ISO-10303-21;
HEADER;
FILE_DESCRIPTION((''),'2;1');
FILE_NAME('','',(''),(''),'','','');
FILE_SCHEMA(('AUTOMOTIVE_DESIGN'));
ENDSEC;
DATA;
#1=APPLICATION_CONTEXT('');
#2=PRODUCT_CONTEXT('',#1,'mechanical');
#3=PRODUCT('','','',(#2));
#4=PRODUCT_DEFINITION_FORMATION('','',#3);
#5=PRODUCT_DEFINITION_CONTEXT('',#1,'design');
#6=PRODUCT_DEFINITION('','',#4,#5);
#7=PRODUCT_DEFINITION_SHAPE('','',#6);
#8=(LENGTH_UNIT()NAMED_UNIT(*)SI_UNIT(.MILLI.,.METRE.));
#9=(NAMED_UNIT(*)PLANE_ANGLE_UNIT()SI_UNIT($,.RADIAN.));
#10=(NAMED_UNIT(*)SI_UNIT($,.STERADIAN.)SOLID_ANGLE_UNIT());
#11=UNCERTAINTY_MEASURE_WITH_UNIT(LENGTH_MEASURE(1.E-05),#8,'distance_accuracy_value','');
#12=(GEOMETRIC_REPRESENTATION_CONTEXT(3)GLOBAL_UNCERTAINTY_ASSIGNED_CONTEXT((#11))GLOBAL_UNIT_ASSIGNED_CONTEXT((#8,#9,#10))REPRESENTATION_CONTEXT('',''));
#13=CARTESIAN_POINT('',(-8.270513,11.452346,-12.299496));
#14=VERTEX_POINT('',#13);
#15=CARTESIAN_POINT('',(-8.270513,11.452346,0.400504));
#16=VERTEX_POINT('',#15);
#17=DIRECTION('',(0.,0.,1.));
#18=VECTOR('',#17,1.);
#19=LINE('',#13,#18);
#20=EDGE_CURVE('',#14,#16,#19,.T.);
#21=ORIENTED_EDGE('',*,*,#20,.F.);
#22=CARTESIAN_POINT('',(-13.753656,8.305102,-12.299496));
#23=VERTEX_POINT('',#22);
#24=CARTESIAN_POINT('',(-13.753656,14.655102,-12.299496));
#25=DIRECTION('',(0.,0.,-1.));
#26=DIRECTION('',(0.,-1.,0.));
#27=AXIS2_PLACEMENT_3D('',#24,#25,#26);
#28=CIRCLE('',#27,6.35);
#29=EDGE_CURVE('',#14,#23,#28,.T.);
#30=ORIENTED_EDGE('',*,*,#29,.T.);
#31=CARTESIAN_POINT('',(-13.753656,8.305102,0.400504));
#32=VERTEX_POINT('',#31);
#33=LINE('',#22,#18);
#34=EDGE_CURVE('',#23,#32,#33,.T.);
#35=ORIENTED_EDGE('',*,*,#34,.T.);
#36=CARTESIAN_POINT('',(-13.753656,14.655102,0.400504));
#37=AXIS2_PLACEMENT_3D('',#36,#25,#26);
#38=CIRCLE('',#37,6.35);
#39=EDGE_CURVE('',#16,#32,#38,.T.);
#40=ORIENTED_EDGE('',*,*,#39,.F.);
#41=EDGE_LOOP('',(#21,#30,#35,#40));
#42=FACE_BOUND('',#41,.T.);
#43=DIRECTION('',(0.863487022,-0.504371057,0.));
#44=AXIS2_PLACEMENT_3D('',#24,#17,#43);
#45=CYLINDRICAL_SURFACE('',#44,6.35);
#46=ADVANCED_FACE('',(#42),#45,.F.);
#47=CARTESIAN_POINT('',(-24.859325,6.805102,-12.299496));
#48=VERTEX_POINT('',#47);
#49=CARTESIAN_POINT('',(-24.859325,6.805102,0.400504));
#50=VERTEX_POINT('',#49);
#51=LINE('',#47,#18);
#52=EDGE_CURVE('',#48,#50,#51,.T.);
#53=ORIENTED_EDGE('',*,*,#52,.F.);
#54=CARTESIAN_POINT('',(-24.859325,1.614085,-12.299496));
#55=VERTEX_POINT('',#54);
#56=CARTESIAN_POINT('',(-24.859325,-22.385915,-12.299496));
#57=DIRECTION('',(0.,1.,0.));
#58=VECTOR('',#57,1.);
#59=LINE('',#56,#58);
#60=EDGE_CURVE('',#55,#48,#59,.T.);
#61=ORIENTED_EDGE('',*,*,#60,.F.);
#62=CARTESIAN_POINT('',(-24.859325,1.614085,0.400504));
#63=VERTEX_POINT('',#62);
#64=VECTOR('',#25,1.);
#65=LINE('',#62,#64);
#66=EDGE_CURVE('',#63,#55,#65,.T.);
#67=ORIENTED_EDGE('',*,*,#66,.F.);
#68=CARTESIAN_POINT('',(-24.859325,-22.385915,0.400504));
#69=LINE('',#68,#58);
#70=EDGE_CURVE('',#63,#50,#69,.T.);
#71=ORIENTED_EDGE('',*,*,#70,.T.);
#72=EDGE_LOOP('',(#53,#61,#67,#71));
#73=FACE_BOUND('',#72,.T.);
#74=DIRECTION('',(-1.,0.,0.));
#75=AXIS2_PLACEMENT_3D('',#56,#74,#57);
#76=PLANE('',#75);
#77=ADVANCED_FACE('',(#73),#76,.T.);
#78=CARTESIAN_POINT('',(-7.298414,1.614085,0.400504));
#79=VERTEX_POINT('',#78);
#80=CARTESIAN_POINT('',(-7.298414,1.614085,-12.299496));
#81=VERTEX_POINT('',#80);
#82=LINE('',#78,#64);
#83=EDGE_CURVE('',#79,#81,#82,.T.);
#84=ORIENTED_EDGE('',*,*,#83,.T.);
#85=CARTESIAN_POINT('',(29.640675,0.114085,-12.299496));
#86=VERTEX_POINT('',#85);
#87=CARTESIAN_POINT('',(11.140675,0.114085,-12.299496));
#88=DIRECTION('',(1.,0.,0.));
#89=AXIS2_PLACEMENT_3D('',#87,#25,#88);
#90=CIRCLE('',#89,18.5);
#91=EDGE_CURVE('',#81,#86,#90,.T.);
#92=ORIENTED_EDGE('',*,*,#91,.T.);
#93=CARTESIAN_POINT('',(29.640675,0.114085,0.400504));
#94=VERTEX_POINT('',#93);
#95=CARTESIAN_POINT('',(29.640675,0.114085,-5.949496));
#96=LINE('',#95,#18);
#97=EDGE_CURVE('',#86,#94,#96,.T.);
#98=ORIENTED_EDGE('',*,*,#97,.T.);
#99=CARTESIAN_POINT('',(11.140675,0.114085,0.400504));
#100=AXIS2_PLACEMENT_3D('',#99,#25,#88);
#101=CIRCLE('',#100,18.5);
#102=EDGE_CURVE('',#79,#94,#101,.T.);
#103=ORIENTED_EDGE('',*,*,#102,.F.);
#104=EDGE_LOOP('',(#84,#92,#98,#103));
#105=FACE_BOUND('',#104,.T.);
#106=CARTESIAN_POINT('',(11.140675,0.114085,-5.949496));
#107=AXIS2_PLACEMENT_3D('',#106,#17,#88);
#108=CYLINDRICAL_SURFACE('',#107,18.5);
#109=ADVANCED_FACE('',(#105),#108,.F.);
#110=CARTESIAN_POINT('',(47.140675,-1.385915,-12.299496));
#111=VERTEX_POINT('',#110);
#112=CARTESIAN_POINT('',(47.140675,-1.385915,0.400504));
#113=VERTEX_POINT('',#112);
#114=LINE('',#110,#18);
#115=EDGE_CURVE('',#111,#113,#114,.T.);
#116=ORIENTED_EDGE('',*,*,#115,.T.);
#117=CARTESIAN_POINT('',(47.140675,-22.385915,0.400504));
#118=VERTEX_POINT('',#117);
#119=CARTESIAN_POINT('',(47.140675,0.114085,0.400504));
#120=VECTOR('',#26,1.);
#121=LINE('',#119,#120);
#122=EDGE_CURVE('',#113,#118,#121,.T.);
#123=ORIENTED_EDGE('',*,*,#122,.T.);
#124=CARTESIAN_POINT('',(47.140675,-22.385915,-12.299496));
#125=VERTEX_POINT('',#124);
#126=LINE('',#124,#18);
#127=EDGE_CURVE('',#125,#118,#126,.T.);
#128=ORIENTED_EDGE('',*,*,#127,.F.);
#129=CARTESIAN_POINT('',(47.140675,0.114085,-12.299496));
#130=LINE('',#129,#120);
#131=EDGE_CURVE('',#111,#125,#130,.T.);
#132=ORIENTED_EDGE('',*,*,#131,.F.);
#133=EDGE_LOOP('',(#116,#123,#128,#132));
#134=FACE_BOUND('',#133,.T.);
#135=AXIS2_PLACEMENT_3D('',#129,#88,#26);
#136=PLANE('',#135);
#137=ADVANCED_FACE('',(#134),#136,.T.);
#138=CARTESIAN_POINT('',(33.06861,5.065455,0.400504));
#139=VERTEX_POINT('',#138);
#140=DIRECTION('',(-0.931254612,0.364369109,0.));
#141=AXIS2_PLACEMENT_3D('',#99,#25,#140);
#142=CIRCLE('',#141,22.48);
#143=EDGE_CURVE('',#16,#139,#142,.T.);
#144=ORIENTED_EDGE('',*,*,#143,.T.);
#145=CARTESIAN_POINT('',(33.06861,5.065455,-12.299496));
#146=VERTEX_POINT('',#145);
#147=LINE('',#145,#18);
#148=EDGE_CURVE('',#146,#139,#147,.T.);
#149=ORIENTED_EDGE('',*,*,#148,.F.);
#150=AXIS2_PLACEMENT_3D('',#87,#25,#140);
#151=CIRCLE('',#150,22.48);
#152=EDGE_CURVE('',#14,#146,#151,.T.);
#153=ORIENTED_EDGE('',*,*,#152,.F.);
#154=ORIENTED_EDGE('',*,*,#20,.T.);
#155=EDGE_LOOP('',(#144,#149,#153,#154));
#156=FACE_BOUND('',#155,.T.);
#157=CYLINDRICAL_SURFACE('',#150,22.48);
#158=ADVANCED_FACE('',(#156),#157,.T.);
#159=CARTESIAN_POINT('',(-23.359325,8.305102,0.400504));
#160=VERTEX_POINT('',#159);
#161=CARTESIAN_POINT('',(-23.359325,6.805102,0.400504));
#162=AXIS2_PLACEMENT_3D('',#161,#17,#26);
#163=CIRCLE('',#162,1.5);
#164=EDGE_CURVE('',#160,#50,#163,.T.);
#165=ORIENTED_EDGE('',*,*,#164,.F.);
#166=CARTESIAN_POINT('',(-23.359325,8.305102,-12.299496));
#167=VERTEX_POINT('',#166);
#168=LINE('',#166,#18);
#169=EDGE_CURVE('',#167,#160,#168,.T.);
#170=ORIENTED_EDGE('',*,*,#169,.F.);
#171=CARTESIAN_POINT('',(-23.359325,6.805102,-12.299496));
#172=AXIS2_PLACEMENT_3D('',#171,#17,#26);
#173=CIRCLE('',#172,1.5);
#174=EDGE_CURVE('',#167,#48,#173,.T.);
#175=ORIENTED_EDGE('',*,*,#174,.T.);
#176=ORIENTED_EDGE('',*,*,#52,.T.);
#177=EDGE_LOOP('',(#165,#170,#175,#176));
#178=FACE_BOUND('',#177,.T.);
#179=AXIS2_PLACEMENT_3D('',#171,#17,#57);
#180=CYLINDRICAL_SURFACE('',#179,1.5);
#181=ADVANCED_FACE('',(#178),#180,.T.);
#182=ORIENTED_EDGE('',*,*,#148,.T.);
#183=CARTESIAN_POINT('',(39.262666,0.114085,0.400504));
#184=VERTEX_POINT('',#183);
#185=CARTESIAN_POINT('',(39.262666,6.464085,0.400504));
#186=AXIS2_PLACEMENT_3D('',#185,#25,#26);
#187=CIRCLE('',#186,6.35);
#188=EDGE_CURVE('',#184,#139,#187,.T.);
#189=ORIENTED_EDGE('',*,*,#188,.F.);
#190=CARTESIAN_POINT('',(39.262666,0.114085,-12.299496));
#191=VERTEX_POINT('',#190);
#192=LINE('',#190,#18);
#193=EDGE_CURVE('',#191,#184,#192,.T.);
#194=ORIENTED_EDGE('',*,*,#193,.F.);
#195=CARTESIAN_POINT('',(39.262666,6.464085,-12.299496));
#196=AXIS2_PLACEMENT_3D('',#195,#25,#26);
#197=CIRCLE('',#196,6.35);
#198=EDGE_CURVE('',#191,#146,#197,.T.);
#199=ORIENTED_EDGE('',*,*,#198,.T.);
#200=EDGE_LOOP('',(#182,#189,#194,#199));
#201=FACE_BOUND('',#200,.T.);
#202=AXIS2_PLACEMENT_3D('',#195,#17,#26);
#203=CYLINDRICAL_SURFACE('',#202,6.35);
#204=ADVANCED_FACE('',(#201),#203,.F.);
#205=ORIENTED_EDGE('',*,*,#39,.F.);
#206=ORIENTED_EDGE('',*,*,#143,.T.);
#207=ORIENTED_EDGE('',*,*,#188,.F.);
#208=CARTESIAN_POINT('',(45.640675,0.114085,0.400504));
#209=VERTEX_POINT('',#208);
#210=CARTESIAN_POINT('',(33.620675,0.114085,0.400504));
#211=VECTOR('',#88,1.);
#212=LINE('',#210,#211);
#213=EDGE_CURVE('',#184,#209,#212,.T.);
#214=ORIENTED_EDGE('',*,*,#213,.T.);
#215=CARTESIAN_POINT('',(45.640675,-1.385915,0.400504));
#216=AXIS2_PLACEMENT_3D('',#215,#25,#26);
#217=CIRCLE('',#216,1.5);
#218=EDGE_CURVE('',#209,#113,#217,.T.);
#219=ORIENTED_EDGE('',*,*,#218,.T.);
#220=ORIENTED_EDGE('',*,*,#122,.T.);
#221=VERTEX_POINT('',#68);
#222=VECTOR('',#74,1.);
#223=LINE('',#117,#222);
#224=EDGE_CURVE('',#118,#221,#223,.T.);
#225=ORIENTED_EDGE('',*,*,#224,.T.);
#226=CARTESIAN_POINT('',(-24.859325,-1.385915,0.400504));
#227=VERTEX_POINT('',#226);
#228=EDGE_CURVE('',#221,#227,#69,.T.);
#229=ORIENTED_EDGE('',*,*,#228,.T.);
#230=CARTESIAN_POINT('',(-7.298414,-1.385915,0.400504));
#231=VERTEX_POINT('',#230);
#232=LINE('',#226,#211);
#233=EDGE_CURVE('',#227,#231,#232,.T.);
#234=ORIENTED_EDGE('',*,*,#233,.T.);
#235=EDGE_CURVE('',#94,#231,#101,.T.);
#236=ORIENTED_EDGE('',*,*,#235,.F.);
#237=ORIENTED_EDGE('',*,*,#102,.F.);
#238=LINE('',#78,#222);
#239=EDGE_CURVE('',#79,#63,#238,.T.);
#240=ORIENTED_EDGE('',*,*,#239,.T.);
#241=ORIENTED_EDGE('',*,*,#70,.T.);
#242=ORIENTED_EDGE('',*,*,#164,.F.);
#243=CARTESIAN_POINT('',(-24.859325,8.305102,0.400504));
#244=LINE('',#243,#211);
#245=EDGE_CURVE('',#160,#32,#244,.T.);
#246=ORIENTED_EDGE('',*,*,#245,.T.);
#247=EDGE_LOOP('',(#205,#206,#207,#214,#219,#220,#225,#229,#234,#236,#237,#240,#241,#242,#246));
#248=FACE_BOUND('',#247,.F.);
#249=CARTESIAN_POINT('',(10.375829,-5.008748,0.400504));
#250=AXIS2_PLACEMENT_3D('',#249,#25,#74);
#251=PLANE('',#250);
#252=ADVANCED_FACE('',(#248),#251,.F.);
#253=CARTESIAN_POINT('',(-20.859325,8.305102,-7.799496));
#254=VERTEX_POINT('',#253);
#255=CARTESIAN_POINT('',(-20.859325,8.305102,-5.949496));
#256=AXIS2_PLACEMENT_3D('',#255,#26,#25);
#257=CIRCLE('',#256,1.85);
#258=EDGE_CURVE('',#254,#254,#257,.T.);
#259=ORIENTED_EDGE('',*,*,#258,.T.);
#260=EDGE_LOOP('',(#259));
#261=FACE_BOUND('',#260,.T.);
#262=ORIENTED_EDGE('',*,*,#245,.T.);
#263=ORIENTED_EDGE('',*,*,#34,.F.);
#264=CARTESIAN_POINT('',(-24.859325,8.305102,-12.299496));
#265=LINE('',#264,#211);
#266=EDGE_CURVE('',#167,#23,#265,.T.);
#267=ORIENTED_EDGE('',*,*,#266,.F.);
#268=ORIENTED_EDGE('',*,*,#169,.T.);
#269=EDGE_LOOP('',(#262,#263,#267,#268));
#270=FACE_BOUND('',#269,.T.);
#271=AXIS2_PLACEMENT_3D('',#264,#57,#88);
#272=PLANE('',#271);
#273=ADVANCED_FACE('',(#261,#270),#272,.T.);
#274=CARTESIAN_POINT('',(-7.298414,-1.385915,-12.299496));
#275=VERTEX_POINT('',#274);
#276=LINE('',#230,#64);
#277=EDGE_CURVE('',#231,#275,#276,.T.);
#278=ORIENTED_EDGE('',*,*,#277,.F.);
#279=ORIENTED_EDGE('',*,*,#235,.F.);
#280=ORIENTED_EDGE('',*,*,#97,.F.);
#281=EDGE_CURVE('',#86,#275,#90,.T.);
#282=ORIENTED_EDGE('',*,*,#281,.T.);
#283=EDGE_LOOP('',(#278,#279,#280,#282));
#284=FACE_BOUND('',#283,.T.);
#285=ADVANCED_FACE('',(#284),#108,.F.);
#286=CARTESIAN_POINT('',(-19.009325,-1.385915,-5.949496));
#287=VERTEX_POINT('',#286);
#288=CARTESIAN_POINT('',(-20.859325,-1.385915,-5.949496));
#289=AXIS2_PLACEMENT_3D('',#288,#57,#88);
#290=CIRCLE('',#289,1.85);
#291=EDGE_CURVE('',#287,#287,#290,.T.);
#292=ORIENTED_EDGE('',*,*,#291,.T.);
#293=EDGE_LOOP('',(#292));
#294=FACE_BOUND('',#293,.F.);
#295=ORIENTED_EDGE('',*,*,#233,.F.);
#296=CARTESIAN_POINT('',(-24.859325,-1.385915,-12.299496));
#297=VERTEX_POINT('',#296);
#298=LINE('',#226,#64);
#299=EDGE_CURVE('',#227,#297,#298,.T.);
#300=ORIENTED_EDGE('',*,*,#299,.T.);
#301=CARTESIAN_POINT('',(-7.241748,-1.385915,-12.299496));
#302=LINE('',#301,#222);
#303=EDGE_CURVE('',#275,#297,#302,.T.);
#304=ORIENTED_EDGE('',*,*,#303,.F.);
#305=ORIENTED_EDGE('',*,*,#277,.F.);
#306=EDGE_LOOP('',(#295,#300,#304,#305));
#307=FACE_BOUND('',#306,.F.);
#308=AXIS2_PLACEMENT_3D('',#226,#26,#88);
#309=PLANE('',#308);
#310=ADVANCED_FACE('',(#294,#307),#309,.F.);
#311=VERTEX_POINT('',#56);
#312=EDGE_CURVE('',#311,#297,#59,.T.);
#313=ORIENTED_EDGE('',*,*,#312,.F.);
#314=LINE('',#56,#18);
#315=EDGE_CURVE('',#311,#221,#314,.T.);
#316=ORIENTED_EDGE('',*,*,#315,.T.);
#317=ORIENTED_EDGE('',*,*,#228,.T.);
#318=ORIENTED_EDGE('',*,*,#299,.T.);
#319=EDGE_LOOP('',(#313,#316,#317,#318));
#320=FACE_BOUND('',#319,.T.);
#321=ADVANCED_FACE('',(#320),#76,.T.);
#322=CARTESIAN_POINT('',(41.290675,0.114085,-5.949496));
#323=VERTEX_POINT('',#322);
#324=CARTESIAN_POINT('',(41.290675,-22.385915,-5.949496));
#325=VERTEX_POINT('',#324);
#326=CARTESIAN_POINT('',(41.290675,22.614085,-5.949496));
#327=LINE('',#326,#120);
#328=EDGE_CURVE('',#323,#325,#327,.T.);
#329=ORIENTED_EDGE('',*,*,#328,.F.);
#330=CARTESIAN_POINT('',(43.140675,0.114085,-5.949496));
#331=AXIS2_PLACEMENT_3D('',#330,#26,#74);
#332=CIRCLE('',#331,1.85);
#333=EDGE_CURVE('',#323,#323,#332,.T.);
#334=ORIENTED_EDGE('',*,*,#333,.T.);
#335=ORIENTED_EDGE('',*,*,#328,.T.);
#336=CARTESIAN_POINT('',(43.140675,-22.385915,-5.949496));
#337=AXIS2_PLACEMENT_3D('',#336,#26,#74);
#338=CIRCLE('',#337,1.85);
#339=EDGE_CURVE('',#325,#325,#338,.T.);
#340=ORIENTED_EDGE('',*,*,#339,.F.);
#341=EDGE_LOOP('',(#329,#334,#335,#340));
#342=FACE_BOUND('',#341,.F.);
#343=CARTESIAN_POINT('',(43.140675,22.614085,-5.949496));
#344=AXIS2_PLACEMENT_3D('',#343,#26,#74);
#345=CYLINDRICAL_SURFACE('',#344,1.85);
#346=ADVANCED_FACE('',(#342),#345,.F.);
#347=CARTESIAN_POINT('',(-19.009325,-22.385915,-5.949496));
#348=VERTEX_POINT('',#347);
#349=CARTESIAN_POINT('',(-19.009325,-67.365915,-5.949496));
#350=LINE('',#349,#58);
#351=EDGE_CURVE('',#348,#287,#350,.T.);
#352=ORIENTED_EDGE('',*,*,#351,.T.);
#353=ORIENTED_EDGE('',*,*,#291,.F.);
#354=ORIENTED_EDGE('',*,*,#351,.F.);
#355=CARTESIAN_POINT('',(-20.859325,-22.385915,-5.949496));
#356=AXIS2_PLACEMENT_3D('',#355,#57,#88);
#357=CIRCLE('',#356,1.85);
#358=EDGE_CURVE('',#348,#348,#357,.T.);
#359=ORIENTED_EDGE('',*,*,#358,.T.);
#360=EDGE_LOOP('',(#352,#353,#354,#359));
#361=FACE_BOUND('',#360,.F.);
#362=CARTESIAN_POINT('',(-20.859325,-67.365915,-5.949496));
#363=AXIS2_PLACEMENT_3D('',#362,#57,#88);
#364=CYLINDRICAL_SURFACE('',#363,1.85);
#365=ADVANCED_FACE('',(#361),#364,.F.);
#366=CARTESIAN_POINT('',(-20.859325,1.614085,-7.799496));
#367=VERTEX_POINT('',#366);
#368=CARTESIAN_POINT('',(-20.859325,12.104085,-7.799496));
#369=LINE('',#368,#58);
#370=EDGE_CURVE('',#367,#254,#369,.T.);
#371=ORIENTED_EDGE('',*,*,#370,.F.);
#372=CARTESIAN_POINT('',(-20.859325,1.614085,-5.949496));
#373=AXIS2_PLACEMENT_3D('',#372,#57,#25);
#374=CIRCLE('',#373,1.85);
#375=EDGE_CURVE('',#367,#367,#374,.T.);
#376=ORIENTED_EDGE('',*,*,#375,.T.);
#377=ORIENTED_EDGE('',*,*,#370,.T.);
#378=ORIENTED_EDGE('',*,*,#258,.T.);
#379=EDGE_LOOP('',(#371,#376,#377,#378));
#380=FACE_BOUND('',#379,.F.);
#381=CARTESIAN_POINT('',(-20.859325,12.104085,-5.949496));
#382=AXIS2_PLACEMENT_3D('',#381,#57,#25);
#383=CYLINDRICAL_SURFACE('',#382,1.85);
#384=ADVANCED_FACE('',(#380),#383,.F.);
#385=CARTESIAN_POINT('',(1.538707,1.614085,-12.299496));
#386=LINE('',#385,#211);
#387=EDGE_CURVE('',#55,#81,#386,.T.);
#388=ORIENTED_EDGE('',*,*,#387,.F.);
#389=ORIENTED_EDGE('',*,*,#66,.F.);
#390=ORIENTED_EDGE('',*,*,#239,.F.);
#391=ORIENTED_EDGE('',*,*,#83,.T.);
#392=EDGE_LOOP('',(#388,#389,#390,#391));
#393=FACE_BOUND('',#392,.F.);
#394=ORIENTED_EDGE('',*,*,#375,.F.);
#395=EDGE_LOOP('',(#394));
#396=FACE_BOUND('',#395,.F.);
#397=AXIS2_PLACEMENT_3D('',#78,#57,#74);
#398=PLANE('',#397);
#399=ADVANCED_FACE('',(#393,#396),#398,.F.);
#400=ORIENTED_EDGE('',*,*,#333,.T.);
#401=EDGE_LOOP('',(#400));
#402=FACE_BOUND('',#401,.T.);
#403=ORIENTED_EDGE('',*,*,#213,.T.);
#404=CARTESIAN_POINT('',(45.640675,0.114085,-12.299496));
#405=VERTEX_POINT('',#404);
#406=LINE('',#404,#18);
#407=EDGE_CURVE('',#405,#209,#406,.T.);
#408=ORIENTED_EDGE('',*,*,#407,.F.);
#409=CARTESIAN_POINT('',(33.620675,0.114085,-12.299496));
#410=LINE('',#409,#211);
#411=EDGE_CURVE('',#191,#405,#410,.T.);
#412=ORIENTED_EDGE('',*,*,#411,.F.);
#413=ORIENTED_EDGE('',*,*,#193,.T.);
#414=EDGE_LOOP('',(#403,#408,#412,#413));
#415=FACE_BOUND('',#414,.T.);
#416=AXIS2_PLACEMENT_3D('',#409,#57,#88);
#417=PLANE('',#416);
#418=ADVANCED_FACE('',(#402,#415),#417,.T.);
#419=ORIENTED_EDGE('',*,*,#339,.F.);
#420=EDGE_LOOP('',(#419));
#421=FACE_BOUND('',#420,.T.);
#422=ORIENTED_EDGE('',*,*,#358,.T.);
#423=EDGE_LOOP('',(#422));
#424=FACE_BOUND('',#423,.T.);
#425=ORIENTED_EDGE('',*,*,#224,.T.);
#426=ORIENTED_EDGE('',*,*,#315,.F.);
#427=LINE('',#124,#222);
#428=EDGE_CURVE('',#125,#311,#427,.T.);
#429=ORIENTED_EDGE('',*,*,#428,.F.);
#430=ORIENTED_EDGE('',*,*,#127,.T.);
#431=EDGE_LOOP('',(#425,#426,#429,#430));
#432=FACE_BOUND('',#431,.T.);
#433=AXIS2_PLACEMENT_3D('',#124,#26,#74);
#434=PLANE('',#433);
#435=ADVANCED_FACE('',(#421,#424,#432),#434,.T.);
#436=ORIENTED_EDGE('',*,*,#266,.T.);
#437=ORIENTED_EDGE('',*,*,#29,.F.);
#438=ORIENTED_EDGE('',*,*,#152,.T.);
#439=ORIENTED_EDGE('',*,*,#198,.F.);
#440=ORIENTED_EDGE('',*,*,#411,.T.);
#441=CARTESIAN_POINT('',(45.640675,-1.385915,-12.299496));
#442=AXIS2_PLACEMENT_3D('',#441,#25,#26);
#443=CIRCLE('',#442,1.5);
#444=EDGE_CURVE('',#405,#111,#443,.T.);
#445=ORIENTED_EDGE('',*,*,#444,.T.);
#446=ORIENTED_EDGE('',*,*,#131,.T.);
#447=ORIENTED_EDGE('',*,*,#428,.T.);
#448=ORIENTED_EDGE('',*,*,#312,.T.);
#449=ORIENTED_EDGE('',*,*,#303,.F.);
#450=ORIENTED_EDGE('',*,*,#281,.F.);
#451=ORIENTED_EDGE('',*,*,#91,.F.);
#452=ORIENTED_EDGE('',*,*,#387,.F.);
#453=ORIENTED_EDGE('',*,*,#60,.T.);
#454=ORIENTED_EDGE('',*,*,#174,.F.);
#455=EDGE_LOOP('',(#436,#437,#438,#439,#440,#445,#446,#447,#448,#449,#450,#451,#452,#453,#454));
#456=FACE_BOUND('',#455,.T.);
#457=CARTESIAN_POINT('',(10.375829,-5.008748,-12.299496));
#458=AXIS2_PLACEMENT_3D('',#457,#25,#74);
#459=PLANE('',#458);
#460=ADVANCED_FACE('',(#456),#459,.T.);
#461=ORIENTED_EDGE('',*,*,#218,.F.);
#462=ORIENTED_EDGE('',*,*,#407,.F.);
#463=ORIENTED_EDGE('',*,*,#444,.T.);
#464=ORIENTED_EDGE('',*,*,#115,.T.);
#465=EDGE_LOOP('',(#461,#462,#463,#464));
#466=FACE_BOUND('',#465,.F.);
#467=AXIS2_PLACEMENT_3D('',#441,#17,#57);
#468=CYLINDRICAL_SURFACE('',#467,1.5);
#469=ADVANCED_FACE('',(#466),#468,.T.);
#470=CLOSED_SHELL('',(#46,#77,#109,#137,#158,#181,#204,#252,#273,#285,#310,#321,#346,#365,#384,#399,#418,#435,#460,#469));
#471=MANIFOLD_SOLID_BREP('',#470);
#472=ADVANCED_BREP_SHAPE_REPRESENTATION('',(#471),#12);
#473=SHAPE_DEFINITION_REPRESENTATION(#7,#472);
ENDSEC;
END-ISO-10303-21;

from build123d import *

# Parameters (mm, degrees)
BOSS_EXTRUDE1_DEPTH            = 12.7
CUT_EXTRUDE1_DEPTH             = 13.7
SKETCH3_W                      = 18.5
SKETCH3_H                      = 12.7
F_3_7_3_7_DIAMETER_HOLE1_D     = 3.7
F_3_7_3_7_DIAMETER_HOLE1_DEPTH = 22.5
SKETCH6_W                      = 1.85
SKETCH6_H                      = 20.98
F_3_7_3_7_DIAMETER_HOLE3_D     = 3.7
F_3_7_3_7_DIAMETER_HOLE3_DEPTH = 44.98
FILLET1_R                      = 1.5
FILLET2_R                      = 6.35


with BuildPart() as part:
    # Sketch1 → Boss-Extrude1 (new body)
    with BuildSketch(Plane(origin=(0, 0, -12.299495873), x_dir=(-1, 0, 0), z_dir=(0, 0, -1))):
        with BuildLine():
            Line((24.859325054, -22.385915399), (24.859325054, 8.305102167))
            Line((24.859325054, 8.305102167), (9.793928734, 8.305102167))
            ThreePointArc((9.793928734, 8.305102167), (-15.308438691, 22.204357242), (-33.620674946, 0.114084601))
            Line((-33.620674946, 0.114084601), (-47.140674946, 0.114084601))
            Line((-47.140674946, 0.114084601), (-47.140674946, -22.385915399))
            Line((-47.140674946, -22.385915399), (24.859325054, -22.385915399))
        make_face()
    extrude(amount=-BOSS_EXTRUDE1_DEPTH)

    # Sketch2 → Cut-Extrude1 (cut, through all)
    with BuildSketch(Plane.XY.offset(0.400504127)):
        with BuildLine():
            Line((-24.859325054, 1.614084601), (-24.859325054, -1.385915399))
            Line((-24.859325054, -1.385915399), (-7.298413969, -1.385915399))
            ThreePointArc((-7.298413969, -1.385915399), (-7.359325054, 0.114084601), (-7.298413969, 1.614084601))
            Line((-7.298413969, 1.614084601), (-24.859325054, 1.614084601))
        make_face()
    extrude(amount=-CUT_EXTRUDE1_DEPTH, mode=Mode.SUBTRACT)

    # Sketch3 → Cut-Revolve1 (revolve, cut)
    with BuildSketch(Plane.XZ.offset(-0.114084601)):
        with Locations((20.390674946, -5.949495873)):
            Rectangle(SKETCH3_W, SKETCH3_H)
    revolve(axis=Axis((11.140674946, 0.114084601, 0.400504127), (0, 0, -1)), mode=Mode.SUBTRACT)

    # Ø3.7 (3.7) Diameter Hole1
    with Locations(Plane(origin=(0, 0.114084601, 0), x_dir=(1, 0, 0), z_dir=(0, 1, 0))):
        with Locations((43.140674946, 5.949495873)):
            Hole(F_3_7_3_7_DIAMETER_HOLE1_D / 2, depth=F_3_7_3_7_DIAMETER_HOLE1_DEPTH)

    # Sketch6 → Ø3.7 (3.7) Diameter Hole2 (revolve, cut)
    with BuildSketch(Plane(origin=(-20.859325054, 1.614084601, -5.949495873), x_dir=(0, 0, -1), z_dir=(1, 0, 0))):
        with Locations((0.925, 10.49)):
            Rectangle(SKETCH6_W, SKETCH6_H)
    revolve(axis=Axis((-20.859325054, -4.735915399, -5.949495873), (0, 1, 0)), mode=Mode.SUBTRACT)

    # Ø3.7 (3.7) Diameter Hole3
    with Locations(Plane(origin=(0, -22.385915399, 0), x_dir=(-1, 0, 0), z_dir=(0, -1, 0))):
        with Locations((20.859325054, 5.949495873)):
            Hole(F_3_7_3_7_DIAMETER_HOLE3_D / 2, depth=F_3_7_3_7_DIAMETER_HOLE3_DEPTH)

    # Fillet1
    fillet1_edges = [part.edges().sort_by_distance(p)[0] for p in [
        (47.140674946, 0.114084601, -5.949495873),
        (-24.859325054, 8.305102167, -5.949495873),
    ]]
    fillet(fillet1_edges, radius=FILLET1_R)

    # Fillet2
    fillet2_edges = [part.edges().sort_by_distance(p)[0] for p in [
        (33.620674946, 0.114084601, -5.949495873),
        (-9.793928734, 8.305102167, -5.949495873),
    ]]
    fillet(fillet2_edges, radius=FILLET2_R)


solid = part.part
